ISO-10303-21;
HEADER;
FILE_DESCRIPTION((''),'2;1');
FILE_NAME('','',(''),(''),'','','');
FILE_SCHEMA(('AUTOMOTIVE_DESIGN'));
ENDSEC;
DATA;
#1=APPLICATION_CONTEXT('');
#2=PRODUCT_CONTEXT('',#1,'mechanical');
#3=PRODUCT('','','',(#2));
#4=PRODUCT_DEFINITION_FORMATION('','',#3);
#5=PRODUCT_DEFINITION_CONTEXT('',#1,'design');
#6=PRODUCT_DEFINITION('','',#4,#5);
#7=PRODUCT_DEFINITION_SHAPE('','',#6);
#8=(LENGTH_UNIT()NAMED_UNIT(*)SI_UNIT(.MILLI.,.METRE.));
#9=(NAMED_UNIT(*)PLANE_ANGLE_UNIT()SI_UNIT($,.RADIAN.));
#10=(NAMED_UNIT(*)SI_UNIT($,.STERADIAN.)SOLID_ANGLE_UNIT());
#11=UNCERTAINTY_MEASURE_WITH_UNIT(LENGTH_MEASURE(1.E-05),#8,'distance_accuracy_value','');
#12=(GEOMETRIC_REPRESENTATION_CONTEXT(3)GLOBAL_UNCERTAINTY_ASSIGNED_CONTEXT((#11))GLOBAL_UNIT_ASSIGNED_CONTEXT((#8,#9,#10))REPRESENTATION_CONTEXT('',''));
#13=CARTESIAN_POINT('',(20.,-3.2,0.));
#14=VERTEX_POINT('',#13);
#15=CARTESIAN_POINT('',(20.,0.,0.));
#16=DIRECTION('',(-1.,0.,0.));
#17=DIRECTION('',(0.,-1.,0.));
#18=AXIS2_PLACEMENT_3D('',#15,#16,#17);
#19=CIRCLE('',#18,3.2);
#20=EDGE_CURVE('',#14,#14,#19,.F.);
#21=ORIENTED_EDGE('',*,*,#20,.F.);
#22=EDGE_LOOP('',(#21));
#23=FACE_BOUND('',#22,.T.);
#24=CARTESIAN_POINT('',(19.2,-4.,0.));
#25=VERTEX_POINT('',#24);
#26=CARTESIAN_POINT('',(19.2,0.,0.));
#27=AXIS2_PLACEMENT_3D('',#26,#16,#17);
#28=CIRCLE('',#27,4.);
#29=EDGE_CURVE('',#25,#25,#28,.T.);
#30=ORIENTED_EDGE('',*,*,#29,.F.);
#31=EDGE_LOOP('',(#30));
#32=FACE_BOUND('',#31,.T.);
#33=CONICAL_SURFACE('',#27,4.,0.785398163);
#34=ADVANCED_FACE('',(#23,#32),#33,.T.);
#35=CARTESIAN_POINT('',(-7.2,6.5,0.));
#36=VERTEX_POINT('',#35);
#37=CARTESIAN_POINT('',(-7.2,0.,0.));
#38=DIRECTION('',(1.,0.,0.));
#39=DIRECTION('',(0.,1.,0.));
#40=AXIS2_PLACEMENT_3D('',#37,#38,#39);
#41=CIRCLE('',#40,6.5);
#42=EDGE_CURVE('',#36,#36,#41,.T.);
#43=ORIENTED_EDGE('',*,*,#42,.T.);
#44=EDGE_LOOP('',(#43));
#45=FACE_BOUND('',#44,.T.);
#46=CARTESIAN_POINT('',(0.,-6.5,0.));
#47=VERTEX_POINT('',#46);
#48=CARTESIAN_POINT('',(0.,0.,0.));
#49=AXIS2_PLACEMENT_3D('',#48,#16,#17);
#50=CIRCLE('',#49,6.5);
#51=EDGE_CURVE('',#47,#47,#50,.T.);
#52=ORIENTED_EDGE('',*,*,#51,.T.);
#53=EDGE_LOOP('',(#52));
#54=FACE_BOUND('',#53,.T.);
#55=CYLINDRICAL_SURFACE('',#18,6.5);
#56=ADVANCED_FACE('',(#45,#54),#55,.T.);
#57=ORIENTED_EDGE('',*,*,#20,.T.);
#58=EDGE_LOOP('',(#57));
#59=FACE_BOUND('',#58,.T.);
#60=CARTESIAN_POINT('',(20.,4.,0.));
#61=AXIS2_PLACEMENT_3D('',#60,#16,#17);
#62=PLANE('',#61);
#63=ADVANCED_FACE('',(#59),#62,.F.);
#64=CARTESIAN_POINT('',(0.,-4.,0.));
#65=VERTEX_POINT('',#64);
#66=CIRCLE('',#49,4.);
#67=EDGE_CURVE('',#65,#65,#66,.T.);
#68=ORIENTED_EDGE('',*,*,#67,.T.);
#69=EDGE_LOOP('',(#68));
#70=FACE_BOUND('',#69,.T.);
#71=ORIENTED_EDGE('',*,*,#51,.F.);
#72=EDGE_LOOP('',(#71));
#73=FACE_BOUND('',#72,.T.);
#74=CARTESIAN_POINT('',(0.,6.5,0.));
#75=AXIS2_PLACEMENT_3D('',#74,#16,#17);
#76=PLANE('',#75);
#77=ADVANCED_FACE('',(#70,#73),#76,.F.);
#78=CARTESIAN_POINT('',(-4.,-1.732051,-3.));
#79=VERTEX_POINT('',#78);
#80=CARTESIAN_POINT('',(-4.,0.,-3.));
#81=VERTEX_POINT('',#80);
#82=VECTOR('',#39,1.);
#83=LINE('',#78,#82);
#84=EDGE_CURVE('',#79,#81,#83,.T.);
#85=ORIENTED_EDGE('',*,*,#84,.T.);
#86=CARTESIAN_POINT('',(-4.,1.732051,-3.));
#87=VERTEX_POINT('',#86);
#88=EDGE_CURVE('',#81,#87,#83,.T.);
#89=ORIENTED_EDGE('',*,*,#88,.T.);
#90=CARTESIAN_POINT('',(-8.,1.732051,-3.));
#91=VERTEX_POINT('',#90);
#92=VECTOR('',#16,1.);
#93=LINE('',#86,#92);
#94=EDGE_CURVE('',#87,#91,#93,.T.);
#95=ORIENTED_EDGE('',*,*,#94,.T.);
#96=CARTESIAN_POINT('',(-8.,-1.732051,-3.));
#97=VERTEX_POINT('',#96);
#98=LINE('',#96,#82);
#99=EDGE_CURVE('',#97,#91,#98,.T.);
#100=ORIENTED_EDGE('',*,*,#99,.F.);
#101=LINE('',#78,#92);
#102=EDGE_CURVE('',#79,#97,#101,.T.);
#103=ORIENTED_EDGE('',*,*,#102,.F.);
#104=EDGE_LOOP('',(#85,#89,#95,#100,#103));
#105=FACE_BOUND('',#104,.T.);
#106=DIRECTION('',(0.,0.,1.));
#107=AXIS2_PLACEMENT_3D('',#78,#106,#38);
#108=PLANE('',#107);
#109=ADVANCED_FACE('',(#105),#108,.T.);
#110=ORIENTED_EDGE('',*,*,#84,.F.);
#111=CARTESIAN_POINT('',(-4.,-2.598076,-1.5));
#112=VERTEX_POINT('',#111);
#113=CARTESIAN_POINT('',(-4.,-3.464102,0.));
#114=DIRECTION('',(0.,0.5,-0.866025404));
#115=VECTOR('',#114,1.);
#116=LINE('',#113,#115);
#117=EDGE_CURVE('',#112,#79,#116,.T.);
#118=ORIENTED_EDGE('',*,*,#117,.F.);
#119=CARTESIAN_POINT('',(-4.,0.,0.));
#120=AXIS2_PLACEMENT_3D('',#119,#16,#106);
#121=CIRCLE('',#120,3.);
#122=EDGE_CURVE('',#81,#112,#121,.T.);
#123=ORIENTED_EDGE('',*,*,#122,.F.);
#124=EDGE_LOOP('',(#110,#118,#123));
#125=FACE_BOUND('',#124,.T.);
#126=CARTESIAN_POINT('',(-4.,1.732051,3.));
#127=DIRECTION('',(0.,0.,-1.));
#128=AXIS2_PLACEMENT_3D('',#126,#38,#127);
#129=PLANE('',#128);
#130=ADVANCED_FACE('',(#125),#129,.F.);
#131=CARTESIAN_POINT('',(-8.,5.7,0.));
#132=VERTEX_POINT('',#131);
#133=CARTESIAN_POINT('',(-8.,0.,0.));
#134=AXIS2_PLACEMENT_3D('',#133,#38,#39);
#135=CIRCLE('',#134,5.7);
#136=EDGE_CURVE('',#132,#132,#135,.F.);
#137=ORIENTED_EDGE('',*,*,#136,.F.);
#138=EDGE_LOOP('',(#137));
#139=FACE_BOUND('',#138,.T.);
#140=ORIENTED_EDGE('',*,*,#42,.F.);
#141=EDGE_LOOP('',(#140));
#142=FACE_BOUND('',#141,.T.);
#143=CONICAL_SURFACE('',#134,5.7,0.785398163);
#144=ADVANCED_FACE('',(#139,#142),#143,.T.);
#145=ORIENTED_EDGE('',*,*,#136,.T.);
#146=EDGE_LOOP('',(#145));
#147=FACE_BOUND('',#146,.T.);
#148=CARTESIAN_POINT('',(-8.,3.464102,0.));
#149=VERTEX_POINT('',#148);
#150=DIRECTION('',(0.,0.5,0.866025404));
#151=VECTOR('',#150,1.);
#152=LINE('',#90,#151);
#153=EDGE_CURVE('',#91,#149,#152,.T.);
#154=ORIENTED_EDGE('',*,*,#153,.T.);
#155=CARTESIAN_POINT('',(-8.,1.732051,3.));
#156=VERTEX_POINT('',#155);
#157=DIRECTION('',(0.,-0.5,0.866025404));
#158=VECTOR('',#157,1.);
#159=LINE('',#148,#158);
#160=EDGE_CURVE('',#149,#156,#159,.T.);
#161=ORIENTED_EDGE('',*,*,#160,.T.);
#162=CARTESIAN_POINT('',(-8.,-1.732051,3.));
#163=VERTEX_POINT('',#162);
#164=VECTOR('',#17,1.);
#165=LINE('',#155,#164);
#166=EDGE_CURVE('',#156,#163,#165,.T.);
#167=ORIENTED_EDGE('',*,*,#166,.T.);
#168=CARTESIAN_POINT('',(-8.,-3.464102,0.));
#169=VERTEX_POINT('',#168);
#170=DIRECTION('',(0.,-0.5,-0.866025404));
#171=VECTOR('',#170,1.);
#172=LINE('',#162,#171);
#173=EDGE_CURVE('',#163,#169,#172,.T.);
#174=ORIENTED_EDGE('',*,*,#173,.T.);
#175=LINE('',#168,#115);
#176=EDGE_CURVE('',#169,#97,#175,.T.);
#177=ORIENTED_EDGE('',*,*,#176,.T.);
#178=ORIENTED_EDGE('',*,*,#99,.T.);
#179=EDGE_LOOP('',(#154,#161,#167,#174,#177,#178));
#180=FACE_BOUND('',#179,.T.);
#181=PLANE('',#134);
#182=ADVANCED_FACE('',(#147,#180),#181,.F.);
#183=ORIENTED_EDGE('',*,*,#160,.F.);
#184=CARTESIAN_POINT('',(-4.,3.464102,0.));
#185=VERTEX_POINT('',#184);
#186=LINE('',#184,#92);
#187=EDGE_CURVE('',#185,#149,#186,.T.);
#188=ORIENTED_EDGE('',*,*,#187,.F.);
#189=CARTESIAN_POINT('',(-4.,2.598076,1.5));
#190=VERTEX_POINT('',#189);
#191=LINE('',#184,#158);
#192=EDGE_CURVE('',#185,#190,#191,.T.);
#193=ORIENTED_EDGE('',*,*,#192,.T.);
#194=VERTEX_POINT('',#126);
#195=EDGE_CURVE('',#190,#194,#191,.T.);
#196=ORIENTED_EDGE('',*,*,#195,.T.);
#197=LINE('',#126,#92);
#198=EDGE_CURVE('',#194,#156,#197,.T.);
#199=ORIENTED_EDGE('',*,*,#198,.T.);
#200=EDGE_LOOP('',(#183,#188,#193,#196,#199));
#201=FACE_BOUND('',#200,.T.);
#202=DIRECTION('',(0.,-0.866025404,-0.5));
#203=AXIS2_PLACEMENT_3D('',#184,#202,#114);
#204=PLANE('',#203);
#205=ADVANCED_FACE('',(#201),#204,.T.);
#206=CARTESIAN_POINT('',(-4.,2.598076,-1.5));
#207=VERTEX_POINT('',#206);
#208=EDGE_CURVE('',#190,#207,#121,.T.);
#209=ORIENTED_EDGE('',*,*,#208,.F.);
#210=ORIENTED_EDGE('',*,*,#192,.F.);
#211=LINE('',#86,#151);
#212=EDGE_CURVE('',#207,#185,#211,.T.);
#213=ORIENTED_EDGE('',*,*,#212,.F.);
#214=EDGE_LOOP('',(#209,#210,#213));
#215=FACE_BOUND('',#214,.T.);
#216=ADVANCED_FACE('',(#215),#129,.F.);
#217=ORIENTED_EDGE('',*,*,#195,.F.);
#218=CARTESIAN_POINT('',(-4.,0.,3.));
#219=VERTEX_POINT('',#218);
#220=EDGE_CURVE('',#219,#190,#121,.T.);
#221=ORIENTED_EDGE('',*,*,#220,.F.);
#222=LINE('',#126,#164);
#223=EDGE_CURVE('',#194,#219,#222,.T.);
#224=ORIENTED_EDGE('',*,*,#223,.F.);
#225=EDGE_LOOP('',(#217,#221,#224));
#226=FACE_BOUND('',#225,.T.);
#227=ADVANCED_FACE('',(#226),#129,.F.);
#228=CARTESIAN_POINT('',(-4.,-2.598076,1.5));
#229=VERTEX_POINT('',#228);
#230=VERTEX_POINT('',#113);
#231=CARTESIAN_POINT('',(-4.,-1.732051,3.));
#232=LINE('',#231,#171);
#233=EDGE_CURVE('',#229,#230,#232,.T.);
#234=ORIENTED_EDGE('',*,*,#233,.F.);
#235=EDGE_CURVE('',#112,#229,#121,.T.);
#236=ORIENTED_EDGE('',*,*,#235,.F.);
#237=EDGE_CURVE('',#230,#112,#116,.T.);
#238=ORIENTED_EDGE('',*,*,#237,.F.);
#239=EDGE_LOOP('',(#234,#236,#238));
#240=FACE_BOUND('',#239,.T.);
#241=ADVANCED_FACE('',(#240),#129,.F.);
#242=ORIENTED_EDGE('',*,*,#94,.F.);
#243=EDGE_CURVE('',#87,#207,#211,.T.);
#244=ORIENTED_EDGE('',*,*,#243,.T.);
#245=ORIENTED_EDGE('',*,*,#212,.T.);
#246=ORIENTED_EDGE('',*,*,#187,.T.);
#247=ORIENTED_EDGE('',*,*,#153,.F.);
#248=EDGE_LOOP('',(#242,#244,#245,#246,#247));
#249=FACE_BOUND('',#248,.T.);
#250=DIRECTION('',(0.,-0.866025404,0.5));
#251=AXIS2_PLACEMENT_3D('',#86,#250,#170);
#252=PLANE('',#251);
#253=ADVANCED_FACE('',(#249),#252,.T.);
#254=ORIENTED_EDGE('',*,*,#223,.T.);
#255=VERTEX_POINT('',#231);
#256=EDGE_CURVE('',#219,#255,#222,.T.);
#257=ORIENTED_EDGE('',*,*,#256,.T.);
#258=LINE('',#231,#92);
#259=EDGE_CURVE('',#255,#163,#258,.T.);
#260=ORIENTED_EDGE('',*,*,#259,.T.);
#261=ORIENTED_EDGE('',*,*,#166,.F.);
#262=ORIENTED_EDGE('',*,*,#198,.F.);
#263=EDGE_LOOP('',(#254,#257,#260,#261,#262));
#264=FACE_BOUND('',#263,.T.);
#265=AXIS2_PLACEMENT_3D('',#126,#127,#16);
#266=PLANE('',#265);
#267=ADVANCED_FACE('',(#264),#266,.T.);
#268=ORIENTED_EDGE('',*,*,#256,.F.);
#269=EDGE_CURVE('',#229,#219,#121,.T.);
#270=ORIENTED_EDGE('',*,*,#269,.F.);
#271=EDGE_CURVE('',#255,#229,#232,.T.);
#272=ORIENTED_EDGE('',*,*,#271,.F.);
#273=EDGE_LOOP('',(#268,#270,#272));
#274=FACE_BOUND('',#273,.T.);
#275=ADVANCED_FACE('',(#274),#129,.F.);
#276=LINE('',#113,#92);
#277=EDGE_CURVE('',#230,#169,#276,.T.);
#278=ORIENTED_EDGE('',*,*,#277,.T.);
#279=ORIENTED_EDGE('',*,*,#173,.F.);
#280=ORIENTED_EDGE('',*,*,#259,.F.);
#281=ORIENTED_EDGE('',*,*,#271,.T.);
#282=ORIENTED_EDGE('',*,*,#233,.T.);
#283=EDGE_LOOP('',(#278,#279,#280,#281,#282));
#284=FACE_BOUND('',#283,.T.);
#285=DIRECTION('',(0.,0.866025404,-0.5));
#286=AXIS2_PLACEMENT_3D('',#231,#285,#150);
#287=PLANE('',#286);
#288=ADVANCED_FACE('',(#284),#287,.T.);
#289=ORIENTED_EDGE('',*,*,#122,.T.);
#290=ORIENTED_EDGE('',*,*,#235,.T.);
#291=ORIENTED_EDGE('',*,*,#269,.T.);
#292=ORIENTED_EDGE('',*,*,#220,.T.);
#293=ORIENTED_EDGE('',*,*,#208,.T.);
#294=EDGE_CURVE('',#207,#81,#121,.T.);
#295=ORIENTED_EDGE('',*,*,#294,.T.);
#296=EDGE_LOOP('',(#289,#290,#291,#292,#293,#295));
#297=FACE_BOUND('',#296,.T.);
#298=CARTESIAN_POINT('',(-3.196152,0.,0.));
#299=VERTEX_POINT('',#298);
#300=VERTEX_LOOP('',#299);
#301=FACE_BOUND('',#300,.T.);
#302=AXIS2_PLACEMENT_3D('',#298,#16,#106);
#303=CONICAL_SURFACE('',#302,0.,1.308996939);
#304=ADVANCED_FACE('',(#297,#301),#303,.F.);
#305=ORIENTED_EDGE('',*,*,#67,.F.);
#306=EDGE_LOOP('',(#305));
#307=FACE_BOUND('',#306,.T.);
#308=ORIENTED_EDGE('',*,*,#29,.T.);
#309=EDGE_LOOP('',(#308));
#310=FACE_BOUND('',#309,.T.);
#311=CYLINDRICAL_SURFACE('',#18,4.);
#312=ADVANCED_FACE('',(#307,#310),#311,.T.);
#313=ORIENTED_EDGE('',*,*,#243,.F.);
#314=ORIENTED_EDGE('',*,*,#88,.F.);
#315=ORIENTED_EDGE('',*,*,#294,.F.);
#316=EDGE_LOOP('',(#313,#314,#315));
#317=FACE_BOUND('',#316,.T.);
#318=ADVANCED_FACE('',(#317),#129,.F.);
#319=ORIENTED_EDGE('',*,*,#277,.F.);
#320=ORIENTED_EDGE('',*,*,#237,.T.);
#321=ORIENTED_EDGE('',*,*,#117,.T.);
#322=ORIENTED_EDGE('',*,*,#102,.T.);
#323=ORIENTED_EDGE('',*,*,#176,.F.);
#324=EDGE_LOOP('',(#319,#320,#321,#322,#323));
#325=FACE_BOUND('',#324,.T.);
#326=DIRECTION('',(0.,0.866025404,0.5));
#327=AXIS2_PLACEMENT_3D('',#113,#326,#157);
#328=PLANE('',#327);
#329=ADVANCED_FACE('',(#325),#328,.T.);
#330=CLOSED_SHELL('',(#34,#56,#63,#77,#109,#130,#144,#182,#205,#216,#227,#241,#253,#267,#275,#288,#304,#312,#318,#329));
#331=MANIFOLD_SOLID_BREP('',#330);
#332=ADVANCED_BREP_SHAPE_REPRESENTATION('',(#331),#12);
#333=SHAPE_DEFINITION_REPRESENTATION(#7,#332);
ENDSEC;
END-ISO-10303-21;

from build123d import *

# Parameters (mm, degrees)
CHAMFER1_SIZE      = 0.8
CUT_EXTRUDE1_DEPTH = 4


with BuildPart() as part:
    # Sketch1 → Revolve1 (revolve)
    with BuildSketch(Plane.XY):
        Polygon((-8, 0), (-8, 6.5), (0, 6.5), (0, 4), (20, 4), (20, 0), align=None)
    revolve(axis=Axis((20, 0, 0), (-1, 0, 0)))

    # Chamfer1
    chamfer1_edges = [part.edges().sort_by_distance(p)[0] for p in [
        (20, -4, 0),
        (-8, -6.5, 0),
    ]]
    chamfer(chamfer1_edges, length=CHAMFER1_SIZE)

    # Sketch2 → Cut-Revolve1 (revolve, cut)
    with BuildSketch(Plane.XY):
        Polygon((-8, 0), (-8, 3), (-4, 3), (-3.196152423, 0), align=None)
    revolve(axis=Axis((-3.196152423, 0, 0), (-1, 0, 0)), mode=Mode.SUBTRACT)

    # Sketch3 → Cut-Extrude1 (cut)
    with BuildSketch(Plane(origin=(-8, 0, 0), x_dir=(0, 0, -1), z_dir=(1, 0, 0))):
        Polygon((-3, 1.732050808), (-3, -1.732050808), (0, -3.464101615), (3, -1.732050808), (3, 1.732050808), (0, 3.464101615), align=None)
    extrude(amount=CUT_EXTRUDE1_DEPTH, mode=Mode.SUBTRACT)


solid = part.part
